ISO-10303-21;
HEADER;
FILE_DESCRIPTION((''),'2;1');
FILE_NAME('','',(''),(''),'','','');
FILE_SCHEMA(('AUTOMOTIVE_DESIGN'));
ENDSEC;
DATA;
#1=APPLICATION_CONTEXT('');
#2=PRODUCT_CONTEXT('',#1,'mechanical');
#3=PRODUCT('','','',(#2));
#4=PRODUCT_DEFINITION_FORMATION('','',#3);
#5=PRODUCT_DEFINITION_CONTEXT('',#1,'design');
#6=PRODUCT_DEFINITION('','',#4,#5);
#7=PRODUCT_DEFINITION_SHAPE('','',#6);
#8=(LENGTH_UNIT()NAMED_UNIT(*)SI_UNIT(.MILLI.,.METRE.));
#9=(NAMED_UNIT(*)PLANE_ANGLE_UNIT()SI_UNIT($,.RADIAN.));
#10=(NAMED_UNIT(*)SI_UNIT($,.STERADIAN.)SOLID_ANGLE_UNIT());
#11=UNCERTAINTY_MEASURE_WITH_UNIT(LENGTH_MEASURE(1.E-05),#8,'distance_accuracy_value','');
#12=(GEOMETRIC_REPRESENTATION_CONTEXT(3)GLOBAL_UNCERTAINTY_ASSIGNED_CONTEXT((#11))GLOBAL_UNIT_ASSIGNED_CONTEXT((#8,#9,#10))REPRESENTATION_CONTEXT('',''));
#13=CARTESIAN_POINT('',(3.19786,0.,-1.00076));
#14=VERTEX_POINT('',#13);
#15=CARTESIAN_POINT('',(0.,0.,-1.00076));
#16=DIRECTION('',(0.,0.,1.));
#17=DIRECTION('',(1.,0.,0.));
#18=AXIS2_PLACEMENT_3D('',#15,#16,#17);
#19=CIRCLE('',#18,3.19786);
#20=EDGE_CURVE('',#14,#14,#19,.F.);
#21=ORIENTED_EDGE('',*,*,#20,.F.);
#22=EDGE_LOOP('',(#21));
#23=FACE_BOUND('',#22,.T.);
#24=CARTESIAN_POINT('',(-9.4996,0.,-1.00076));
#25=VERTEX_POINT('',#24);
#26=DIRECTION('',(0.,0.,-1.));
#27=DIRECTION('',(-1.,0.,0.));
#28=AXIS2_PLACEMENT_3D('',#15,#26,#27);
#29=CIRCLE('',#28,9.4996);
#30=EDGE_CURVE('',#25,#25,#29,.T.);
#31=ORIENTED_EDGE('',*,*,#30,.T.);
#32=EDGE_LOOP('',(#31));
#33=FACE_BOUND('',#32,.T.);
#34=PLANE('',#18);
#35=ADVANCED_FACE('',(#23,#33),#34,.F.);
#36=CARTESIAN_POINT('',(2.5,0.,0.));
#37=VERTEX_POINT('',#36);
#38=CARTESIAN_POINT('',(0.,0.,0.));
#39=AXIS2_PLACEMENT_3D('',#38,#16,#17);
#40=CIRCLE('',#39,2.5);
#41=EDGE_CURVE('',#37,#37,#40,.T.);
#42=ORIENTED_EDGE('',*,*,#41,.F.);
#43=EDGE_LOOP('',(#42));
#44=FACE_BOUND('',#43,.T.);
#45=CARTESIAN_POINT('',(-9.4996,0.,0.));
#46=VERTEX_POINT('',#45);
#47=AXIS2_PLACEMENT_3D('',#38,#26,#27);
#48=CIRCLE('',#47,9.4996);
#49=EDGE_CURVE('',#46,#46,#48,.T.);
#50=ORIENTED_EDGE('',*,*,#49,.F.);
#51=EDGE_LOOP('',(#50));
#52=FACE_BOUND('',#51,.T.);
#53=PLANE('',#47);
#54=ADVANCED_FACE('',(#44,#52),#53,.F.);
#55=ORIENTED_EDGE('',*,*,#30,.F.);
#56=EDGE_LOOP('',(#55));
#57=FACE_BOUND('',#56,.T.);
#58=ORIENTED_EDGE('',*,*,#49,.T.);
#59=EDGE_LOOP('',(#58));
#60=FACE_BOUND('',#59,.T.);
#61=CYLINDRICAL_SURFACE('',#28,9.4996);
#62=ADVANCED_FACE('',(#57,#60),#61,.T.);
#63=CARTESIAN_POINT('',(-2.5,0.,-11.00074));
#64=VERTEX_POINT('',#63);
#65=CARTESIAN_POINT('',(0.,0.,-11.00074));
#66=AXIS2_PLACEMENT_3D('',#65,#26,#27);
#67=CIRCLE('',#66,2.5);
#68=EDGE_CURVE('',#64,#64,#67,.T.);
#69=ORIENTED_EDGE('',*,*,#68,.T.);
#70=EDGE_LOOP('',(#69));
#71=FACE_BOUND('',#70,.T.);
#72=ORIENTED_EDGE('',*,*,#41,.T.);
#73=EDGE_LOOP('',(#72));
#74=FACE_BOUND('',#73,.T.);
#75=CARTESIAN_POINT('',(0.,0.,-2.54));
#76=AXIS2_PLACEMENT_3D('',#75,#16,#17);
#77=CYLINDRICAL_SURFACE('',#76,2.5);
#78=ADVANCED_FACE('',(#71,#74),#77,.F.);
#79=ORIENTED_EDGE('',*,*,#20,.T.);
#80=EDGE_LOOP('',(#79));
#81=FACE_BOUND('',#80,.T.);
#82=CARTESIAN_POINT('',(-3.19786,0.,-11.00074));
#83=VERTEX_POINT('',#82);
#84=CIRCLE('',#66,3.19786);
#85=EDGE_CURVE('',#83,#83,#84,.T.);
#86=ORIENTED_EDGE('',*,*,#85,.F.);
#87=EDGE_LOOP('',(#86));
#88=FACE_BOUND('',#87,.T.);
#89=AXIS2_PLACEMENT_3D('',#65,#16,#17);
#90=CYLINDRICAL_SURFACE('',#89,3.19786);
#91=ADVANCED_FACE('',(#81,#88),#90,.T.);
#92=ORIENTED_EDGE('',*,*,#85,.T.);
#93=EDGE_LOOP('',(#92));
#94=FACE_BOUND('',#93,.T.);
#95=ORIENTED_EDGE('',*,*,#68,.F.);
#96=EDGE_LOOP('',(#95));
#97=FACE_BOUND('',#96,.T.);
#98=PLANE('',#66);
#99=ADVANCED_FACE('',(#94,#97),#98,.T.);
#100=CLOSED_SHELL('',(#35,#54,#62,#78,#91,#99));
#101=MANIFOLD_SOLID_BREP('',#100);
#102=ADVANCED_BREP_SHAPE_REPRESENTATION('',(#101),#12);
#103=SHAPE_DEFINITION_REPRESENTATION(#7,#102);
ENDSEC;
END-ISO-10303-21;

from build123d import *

# Parameters (mm, degrees)
SKETCH2_W           = 1.00076
SKETCH2_H           = 9.4996
SKETCH3_R           = 2.50000008
CUT_EXTRUDE1_DEPTH  = 2.54
SKETCH4_R           = 3.19786
SKETCH4_R_2         = 2.50000008
BOSS_EXTRUDE1_DEPTH = 9.99998


with BuildPart() as part:
    # Sketch2 → Revolve1 (revolve)
    with BuildSketch(Plane(origin=(0, 0, 0), x_dir=(0, 0, -1), z_dir=(1, 0, 0)), mode=Mode.PRIVATE) as revolve1_sk:
        with Locations((0.50038, 4.7498)):
            Rectangle(SKETCH2_W, SKETCH2_H)
    revolve(revolve1_sk.sketch.rotate(Axis((0, 0, -1.00076), (0, 0, 1)), 90), axis=Axis((0, 0, -1.00076), (0, 0, 1)))

    # Sketch3 → Cut-Extrude1 (cut)
    with BuildSketch(Plane.XY):
        Circle(SKETCH3_R)
    extrude(amount=-CUT_EXTRUDE1_DEPTH, mode=Mode.SUBTRACT)

    # Sketch4 → Boss-Extrude1 (add)
    with BuildSketch(Plane(origin=(0, 0, -1.00076), x_dir=(-1, 0, 0), z_dir=(0, 0, -1))):
        with Locations(Location((0, 0, 0), (0, 0, 180))):
            Circle(SKETCH4_R)
        with Locations(Location((0, 0, 0), (0, 0, 180))):
            Circle(SKETCH4_R_2, mode=Mode.SUBTRACT)
    extrude(amount=BOSS_EXTRUDE1_DEPTH)


solid = part.part
